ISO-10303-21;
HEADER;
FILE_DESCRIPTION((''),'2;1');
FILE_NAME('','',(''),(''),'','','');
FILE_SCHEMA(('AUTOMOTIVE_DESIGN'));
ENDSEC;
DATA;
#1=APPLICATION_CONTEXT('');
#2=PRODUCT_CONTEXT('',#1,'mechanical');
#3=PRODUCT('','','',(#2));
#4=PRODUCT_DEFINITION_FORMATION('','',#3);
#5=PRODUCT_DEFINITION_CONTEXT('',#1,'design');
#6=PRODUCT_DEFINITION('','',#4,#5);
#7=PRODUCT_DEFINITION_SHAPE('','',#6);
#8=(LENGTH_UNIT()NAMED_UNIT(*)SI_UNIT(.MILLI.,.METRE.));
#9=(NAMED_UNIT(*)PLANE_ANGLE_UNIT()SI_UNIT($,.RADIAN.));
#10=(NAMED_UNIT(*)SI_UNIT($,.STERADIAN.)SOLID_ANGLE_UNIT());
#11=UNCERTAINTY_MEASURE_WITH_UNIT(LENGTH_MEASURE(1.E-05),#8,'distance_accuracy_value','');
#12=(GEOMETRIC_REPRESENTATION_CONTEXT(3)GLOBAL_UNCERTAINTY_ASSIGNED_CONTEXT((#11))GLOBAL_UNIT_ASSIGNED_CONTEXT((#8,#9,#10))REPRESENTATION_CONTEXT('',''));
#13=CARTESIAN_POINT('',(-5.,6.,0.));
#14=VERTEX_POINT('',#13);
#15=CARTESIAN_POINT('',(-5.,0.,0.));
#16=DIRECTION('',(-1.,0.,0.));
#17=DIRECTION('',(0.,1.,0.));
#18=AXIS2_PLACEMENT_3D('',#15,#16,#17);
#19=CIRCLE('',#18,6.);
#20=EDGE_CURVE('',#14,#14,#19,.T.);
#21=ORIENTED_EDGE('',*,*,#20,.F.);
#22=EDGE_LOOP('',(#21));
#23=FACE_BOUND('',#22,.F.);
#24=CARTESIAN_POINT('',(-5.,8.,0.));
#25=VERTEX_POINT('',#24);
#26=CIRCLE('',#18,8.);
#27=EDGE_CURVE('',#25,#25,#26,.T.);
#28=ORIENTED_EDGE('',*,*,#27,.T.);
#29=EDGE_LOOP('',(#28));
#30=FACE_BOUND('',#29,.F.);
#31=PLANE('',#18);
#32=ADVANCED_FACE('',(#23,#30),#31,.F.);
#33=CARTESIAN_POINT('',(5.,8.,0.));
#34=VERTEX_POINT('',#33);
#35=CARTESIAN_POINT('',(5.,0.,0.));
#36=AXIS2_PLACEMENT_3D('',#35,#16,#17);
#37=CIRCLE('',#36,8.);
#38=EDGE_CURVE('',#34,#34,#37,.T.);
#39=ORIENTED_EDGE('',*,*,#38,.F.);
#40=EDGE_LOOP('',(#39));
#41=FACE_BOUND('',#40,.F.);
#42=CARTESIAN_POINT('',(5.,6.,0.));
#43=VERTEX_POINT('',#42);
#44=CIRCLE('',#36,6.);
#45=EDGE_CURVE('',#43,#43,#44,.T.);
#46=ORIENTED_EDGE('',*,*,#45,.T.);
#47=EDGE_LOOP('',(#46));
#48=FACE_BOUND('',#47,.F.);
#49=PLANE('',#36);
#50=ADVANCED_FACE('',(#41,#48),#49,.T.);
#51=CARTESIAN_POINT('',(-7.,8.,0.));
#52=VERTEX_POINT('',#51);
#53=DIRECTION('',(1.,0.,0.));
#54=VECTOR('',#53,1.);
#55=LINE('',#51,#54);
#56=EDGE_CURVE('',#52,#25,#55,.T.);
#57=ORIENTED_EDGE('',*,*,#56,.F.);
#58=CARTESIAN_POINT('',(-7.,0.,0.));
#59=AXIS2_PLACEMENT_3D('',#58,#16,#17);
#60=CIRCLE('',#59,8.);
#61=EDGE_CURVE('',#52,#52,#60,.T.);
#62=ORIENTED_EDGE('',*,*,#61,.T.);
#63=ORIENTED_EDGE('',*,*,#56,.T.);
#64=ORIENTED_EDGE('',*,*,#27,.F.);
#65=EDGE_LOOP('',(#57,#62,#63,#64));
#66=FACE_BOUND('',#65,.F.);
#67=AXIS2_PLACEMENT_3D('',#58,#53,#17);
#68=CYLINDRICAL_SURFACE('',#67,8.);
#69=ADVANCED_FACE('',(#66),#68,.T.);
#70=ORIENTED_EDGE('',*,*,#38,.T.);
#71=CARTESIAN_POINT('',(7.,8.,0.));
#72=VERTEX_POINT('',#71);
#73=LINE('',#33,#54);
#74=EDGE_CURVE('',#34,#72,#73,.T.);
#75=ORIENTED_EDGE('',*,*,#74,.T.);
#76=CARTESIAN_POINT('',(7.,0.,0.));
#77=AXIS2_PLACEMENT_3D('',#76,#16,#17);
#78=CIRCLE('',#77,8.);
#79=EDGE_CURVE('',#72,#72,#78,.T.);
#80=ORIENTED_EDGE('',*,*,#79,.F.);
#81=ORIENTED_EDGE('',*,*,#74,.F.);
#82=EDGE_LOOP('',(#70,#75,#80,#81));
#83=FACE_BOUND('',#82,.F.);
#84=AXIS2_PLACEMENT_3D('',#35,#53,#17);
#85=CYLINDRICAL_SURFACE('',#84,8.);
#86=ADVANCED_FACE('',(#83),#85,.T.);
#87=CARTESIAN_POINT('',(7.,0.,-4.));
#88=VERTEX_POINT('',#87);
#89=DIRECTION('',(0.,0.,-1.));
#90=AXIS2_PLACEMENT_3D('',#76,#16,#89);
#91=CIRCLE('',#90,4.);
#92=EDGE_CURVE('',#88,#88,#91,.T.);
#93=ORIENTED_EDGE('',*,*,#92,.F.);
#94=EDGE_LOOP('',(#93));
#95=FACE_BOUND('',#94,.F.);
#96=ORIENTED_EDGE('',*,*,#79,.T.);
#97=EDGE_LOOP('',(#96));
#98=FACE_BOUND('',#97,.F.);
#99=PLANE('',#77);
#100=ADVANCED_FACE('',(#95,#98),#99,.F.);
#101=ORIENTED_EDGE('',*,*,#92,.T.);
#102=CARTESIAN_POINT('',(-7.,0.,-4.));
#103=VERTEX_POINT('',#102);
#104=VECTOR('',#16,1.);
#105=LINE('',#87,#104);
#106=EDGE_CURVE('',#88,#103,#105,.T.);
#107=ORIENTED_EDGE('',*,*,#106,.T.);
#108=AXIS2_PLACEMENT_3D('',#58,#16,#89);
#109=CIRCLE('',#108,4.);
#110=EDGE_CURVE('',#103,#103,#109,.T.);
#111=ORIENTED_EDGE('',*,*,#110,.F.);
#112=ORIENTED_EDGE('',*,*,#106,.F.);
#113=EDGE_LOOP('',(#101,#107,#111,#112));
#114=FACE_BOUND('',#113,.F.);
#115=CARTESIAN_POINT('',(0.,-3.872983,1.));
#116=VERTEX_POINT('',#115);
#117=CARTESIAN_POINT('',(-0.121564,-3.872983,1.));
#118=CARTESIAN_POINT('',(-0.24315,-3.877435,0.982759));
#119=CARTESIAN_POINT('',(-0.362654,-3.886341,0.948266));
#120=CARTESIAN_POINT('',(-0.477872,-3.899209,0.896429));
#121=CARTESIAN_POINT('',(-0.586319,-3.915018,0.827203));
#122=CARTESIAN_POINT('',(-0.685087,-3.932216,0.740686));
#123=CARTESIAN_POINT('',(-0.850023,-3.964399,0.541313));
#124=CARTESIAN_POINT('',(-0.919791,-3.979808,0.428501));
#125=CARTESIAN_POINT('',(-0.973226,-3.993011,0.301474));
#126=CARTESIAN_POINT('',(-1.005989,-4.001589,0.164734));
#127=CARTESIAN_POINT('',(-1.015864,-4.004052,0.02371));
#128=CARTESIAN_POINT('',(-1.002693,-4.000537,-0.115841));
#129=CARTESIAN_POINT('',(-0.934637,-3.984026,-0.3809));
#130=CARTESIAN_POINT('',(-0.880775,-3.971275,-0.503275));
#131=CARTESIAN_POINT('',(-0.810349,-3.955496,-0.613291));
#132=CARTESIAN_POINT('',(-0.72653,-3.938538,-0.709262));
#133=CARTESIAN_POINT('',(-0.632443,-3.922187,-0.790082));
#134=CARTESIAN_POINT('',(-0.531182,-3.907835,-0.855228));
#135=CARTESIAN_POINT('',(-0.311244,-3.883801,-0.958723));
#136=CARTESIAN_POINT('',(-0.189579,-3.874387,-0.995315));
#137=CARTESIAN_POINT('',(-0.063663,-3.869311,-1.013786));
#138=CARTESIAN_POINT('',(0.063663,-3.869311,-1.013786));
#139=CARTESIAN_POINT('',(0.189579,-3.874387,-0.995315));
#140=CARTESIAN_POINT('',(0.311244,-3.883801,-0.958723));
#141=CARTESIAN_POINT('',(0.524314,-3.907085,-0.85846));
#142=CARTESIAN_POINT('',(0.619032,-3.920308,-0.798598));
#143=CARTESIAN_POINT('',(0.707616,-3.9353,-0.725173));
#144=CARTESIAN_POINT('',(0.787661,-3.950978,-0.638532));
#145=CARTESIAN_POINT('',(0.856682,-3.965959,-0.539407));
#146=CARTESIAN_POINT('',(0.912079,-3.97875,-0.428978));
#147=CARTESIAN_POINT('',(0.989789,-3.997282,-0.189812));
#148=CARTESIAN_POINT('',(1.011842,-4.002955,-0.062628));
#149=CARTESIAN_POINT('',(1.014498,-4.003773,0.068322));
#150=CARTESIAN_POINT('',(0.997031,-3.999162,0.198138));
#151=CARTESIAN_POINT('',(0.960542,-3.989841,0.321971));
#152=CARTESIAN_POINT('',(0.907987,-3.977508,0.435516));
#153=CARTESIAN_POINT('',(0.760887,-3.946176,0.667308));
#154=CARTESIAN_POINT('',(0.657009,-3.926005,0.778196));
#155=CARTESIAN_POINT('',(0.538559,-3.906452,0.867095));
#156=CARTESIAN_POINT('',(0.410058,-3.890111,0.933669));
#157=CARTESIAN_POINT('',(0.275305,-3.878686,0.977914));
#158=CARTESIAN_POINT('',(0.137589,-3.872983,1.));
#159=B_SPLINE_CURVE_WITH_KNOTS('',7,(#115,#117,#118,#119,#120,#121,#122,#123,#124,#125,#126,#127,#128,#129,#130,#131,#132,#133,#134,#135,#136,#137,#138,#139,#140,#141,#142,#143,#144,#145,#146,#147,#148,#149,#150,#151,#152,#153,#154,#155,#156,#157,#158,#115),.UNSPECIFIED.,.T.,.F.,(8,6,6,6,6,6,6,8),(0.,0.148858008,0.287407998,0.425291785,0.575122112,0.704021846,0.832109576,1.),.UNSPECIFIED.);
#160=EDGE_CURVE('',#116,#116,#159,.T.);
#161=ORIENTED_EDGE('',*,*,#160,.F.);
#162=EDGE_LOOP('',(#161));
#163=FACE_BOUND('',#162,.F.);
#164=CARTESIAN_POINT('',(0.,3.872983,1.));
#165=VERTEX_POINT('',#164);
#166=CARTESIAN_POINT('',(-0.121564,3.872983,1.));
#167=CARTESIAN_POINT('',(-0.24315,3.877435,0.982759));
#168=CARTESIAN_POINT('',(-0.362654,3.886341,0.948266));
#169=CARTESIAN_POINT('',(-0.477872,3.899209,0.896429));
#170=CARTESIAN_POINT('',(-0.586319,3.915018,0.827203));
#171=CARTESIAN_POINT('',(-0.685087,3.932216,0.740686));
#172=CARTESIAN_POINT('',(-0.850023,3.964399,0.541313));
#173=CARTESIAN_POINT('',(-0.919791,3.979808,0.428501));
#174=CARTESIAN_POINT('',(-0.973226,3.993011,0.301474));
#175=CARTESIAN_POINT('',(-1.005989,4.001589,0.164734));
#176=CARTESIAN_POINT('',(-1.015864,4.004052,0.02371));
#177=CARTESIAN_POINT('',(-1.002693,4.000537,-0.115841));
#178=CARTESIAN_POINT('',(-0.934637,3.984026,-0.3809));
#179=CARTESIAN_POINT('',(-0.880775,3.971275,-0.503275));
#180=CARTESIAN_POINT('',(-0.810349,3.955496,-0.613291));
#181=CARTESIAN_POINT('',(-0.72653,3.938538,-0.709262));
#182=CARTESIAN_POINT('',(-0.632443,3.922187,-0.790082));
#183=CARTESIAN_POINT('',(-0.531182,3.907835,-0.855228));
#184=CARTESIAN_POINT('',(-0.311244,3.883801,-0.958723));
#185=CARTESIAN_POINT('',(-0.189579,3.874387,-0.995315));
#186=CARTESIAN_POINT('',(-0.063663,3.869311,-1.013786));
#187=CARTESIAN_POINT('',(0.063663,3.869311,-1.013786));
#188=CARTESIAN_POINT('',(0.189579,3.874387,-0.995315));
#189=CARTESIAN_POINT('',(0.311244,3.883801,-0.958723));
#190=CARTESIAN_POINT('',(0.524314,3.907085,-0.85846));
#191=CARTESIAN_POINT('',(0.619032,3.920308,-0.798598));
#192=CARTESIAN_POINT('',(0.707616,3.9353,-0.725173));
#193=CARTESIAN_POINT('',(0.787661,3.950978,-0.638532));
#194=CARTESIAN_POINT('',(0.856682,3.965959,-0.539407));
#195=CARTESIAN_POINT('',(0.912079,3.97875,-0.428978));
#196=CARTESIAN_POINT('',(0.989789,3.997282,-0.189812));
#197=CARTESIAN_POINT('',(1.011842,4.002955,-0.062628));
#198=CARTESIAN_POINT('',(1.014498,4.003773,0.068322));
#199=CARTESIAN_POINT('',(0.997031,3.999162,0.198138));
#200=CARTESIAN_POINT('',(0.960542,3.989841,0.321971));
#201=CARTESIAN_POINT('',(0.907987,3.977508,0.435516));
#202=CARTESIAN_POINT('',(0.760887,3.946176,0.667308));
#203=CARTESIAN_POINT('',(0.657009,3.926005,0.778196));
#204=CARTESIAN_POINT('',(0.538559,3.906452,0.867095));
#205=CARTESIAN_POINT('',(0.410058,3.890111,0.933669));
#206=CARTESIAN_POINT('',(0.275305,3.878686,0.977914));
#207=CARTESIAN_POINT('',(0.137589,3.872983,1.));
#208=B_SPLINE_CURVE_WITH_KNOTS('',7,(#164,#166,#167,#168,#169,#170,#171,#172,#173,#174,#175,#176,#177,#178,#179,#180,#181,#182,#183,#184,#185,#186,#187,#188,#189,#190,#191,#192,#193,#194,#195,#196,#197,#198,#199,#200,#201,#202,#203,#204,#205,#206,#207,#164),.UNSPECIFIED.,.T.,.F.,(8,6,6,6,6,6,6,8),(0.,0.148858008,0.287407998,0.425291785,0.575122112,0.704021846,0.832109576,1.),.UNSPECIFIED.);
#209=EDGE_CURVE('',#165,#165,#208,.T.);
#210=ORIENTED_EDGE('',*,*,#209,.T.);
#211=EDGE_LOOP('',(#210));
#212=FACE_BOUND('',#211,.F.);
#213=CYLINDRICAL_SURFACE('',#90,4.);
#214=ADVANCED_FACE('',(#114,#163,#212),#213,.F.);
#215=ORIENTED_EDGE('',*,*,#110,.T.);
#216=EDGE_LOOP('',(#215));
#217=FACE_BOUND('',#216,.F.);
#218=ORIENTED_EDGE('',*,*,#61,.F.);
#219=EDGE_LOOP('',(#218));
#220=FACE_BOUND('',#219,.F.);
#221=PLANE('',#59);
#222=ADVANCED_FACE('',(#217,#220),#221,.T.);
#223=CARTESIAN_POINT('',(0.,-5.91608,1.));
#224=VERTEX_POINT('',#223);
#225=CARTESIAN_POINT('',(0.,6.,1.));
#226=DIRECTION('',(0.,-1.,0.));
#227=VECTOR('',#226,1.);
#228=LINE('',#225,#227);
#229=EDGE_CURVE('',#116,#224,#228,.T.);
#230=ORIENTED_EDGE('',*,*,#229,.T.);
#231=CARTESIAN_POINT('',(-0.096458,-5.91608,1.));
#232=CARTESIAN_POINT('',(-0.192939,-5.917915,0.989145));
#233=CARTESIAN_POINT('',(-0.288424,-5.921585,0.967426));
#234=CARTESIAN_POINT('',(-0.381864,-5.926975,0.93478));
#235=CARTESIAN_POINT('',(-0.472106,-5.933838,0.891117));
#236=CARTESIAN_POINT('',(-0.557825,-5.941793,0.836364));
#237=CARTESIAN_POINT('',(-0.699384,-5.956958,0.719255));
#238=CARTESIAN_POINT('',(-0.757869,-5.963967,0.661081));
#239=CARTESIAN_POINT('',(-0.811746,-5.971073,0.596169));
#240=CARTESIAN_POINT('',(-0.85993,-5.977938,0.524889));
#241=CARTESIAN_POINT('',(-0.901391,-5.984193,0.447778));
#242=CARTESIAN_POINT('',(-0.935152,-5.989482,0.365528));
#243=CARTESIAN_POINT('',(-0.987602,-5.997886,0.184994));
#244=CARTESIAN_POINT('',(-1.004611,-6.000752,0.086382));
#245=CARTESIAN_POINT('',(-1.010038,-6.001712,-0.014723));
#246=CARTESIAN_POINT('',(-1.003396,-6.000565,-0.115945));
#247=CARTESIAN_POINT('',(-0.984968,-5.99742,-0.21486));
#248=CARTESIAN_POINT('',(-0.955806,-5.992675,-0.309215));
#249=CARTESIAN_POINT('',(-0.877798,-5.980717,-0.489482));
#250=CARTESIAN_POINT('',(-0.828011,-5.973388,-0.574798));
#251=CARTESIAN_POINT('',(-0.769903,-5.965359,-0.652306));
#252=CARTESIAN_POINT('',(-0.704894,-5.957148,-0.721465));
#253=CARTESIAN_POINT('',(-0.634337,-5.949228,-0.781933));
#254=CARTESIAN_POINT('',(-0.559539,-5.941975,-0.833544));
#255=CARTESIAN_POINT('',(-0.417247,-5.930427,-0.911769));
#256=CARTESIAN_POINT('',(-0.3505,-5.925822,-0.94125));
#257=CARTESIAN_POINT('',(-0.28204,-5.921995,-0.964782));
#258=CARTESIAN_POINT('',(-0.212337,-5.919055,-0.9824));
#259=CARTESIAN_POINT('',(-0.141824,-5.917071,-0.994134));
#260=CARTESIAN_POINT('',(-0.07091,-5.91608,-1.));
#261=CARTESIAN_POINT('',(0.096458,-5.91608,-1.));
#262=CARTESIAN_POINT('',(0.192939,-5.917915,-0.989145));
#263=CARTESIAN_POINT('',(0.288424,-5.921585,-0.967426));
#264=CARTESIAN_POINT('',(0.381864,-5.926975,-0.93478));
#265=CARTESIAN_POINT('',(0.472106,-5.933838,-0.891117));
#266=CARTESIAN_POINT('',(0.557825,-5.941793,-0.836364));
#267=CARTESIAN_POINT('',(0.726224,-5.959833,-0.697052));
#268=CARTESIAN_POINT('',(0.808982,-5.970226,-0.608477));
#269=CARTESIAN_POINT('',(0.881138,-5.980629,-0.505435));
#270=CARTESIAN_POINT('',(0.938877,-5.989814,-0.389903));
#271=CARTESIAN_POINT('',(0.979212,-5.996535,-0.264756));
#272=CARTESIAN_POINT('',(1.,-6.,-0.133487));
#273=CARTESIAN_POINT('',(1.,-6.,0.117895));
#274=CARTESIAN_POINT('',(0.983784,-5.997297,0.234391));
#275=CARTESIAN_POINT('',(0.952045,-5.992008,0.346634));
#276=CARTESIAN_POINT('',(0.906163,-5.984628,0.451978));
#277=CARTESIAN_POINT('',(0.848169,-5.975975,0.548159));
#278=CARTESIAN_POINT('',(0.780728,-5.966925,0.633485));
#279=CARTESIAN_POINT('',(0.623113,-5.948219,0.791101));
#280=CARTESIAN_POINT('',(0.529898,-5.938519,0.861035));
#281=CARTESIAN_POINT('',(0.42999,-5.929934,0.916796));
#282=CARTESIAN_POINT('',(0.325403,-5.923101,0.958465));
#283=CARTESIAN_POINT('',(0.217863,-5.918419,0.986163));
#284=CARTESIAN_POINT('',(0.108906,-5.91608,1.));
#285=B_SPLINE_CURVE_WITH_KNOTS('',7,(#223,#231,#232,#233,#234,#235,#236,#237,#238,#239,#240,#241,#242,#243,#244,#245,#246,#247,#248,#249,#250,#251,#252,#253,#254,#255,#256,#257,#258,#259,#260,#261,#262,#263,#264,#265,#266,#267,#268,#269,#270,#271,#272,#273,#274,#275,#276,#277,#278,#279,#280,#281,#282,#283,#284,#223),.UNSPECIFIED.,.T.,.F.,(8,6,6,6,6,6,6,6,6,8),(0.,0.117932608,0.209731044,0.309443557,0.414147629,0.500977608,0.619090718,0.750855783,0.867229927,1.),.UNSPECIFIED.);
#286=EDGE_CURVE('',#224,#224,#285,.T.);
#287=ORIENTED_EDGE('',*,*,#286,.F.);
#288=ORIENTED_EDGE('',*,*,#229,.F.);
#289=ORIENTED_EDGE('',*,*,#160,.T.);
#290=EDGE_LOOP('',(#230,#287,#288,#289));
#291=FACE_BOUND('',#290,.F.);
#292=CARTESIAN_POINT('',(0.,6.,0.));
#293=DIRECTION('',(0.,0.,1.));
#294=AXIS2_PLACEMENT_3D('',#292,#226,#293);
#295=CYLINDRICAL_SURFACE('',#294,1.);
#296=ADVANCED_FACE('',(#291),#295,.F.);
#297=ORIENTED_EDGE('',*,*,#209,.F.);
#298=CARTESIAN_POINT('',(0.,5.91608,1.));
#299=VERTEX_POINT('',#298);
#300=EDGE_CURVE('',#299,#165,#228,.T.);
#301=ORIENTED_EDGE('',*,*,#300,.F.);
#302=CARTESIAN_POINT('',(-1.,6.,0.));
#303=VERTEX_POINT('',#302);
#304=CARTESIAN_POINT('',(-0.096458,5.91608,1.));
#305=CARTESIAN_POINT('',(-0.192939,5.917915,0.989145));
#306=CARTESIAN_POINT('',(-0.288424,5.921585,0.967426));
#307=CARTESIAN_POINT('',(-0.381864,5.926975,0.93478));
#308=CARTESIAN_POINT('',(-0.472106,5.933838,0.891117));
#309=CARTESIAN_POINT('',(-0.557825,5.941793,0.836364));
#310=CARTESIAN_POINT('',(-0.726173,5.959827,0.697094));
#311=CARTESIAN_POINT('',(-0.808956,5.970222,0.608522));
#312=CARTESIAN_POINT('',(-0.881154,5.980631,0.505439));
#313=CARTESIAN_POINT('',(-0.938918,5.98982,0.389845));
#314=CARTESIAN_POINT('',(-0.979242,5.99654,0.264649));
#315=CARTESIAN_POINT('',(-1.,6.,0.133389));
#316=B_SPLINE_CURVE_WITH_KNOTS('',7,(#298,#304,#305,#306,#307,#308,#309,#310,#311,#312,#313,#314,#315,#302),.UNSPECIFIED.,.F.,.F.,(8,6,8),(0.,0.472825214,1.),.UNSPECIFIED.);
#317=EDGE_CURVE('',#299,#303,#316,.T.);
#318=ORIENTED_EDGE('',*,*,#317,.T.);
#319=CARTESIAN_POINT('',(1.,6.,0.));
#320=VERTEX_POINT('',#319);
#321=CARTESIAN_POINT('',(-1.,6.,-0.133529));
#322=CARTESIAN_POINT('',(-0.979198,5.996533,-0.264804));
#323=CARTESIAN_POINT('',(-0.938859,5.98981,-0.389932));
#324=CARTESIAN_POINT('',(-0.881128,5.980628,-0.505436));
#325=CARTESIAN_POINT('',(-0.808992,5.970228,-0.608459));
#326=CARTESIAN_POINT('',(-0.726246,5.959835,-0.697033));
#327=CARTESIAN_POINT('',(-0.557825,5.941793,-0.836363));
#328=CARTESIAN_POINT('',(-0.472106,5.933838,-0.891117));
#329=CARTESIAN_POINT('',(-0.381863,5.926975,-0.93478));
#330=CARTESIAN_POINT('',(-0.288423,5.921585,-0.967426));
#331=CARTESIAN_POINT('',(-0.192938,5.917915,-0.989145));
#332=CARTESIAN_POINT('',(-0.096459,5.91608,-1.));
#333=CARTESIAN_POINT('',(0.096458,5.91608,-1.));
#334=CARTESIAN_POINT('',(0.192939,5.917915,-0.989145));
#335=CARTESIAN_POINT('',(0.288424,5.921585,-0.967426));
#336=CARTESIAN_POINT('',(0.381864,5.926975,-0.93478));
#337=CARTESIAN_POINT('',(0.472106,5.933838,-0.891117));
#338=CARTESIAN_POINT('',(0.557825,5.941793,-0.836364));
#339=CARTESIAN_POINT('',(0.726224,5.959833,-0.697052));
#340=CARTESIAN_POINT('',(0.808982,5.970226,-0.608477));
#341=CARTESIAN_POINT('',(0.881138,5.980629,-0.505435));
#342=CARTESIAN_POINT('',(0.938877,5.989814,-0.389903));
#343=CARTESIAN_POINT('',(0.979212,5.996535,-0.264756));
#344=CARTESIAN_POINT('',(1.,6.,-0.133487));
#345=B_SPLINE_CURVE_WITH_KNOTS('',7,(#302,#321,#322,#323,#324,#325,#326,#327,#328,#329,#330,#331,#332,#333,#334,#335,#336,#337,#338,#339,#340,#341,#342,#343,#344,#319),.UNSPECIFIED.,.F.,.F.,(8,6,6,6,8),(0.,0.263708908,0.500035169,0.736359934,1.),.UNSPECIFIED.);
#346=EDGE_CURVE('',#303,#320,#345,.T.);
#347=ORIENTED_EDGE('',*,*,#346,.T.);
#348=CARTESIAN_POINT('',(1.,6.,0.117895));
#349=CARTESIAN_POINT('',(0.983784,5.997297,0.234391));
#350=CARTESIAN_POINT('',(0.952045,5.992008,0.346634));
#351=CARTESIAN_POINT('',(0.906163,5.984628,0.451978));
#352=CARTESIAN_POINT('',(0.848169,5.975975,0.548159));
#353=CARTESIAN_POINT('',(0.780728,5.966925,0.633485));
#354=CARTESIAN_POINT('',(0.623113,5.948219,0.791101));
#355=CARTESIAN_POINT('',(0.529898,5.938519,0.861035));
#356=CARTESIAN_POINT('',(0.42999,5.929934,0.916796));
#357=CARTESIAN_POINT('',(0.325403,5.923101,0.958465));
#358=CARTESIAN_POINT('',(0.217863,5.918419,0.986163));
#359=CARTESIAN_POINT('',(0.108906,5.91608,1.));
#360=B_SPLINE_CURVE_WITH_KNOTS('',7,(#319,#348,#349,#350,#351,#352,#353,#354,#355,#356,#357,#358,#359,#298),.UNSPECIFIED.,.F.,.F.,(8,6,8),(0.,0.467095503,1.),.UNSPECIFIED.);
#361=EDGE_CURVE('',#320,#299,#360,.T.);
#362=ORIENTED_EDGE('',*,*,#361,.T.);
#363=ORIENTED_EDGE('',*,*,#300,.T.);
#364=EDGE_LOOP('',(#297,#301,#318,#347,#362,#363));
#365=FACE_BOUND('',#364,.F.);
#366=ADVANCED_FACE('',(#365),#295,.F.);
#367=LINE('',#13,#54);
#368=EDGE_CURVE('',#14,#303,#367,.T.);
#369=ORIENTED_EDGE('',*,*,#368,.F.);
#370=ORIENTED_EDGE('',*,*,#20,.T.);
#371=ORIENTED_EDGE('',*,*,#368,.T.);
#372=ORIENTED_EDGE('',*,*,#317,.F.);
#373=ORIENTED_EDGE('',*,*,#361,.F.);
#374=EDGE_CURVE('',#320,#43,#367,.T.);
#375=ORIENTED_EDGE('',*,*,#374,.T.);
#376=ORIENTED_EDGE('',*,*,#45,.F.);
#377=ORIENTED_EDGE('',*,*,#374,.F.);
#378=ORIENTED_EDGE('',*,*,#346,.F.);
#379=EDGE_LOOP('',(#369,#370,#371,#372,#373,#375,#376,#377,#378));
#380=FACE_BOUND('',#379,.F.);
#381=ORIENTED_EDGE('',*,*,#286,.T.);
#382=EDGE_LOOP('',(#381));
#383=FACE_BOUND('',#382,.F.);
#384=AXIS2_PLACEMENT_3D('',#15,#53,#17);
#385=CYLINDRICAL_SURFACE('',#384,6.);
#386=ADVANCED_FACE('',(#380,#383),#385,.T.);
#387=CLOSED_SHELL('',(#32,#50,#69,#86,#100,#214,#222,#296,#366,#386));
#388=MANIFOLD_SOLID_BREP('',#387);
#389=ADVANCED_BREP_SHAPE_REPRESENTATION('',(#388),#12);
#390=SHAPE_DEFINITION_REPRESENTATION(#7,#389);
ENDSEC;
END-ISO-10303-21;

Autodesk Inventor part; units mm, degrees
ref_plane "YZ Plane" through (0, 0, 0) normal (1, 0, 0) x (0, 1, 0)
ref_plane "XY Plane" through (0, 0, 0) normal (0, 0, 1) x (1, 0, 0)
sketch "Sketch1" plane through (0, 0, 0) normal (0, 0, 1) x (1, 0, 0)
  line L0 (-7, 0) -> (-7, 8)
  line L1 (-7, 8) -> (-5, 8)
  line L2 (-5, 8) -> (-5, 6)
  line L3 (-5, 6) -> (5, 6)
  line L4 (5, 6) -> (5, 8)
  line L5 (5, 8) -> (7, 8)
  line L6 (7, 8) -> (7, 0)
  line L7 (7, 0) -> (-7, 0)
  point P0 (0, 0)
  point P1 (0, 0)
  dimension "d0" = 10
  dimension "d1" = 16
  dimension "d2" = 12
  dimension "d3" = 2
  dimension "d4" = 2
  dimension "d5" = 5
revolve "Revolution1" add sketch "Sketch1" angle 360 about axis through (7, 0, 0) along (-1, 0, 0)
ref_plane "Work Plane1" through (0, 6, 0) normal (0, 1, 0) x (-1, 0, 0)
sketch "Sketch3" plane through (0, 6, 0) normal (0, 1, 0) x (-1, 0, 0)
  point P0 (0, 0)
  point P1 (0, 0)
sketch "Sketch2" plane through (7, 0, 0) normal (1, 0, 0) x (0, 0, -1)
  circle A0 centre (0, 0) radius 8 projected
  point P0 (0, 0)
hole "Hole1" at (7, 0, 0) direction (-1, 0, 0) diameter 8 depth 14
hole "Hole2" at (0, 6, 0) direction (0, -1, 0) diameter 2 end through all
equation "\"d4\" = d3"
properties part number "146" material "Rubber"
